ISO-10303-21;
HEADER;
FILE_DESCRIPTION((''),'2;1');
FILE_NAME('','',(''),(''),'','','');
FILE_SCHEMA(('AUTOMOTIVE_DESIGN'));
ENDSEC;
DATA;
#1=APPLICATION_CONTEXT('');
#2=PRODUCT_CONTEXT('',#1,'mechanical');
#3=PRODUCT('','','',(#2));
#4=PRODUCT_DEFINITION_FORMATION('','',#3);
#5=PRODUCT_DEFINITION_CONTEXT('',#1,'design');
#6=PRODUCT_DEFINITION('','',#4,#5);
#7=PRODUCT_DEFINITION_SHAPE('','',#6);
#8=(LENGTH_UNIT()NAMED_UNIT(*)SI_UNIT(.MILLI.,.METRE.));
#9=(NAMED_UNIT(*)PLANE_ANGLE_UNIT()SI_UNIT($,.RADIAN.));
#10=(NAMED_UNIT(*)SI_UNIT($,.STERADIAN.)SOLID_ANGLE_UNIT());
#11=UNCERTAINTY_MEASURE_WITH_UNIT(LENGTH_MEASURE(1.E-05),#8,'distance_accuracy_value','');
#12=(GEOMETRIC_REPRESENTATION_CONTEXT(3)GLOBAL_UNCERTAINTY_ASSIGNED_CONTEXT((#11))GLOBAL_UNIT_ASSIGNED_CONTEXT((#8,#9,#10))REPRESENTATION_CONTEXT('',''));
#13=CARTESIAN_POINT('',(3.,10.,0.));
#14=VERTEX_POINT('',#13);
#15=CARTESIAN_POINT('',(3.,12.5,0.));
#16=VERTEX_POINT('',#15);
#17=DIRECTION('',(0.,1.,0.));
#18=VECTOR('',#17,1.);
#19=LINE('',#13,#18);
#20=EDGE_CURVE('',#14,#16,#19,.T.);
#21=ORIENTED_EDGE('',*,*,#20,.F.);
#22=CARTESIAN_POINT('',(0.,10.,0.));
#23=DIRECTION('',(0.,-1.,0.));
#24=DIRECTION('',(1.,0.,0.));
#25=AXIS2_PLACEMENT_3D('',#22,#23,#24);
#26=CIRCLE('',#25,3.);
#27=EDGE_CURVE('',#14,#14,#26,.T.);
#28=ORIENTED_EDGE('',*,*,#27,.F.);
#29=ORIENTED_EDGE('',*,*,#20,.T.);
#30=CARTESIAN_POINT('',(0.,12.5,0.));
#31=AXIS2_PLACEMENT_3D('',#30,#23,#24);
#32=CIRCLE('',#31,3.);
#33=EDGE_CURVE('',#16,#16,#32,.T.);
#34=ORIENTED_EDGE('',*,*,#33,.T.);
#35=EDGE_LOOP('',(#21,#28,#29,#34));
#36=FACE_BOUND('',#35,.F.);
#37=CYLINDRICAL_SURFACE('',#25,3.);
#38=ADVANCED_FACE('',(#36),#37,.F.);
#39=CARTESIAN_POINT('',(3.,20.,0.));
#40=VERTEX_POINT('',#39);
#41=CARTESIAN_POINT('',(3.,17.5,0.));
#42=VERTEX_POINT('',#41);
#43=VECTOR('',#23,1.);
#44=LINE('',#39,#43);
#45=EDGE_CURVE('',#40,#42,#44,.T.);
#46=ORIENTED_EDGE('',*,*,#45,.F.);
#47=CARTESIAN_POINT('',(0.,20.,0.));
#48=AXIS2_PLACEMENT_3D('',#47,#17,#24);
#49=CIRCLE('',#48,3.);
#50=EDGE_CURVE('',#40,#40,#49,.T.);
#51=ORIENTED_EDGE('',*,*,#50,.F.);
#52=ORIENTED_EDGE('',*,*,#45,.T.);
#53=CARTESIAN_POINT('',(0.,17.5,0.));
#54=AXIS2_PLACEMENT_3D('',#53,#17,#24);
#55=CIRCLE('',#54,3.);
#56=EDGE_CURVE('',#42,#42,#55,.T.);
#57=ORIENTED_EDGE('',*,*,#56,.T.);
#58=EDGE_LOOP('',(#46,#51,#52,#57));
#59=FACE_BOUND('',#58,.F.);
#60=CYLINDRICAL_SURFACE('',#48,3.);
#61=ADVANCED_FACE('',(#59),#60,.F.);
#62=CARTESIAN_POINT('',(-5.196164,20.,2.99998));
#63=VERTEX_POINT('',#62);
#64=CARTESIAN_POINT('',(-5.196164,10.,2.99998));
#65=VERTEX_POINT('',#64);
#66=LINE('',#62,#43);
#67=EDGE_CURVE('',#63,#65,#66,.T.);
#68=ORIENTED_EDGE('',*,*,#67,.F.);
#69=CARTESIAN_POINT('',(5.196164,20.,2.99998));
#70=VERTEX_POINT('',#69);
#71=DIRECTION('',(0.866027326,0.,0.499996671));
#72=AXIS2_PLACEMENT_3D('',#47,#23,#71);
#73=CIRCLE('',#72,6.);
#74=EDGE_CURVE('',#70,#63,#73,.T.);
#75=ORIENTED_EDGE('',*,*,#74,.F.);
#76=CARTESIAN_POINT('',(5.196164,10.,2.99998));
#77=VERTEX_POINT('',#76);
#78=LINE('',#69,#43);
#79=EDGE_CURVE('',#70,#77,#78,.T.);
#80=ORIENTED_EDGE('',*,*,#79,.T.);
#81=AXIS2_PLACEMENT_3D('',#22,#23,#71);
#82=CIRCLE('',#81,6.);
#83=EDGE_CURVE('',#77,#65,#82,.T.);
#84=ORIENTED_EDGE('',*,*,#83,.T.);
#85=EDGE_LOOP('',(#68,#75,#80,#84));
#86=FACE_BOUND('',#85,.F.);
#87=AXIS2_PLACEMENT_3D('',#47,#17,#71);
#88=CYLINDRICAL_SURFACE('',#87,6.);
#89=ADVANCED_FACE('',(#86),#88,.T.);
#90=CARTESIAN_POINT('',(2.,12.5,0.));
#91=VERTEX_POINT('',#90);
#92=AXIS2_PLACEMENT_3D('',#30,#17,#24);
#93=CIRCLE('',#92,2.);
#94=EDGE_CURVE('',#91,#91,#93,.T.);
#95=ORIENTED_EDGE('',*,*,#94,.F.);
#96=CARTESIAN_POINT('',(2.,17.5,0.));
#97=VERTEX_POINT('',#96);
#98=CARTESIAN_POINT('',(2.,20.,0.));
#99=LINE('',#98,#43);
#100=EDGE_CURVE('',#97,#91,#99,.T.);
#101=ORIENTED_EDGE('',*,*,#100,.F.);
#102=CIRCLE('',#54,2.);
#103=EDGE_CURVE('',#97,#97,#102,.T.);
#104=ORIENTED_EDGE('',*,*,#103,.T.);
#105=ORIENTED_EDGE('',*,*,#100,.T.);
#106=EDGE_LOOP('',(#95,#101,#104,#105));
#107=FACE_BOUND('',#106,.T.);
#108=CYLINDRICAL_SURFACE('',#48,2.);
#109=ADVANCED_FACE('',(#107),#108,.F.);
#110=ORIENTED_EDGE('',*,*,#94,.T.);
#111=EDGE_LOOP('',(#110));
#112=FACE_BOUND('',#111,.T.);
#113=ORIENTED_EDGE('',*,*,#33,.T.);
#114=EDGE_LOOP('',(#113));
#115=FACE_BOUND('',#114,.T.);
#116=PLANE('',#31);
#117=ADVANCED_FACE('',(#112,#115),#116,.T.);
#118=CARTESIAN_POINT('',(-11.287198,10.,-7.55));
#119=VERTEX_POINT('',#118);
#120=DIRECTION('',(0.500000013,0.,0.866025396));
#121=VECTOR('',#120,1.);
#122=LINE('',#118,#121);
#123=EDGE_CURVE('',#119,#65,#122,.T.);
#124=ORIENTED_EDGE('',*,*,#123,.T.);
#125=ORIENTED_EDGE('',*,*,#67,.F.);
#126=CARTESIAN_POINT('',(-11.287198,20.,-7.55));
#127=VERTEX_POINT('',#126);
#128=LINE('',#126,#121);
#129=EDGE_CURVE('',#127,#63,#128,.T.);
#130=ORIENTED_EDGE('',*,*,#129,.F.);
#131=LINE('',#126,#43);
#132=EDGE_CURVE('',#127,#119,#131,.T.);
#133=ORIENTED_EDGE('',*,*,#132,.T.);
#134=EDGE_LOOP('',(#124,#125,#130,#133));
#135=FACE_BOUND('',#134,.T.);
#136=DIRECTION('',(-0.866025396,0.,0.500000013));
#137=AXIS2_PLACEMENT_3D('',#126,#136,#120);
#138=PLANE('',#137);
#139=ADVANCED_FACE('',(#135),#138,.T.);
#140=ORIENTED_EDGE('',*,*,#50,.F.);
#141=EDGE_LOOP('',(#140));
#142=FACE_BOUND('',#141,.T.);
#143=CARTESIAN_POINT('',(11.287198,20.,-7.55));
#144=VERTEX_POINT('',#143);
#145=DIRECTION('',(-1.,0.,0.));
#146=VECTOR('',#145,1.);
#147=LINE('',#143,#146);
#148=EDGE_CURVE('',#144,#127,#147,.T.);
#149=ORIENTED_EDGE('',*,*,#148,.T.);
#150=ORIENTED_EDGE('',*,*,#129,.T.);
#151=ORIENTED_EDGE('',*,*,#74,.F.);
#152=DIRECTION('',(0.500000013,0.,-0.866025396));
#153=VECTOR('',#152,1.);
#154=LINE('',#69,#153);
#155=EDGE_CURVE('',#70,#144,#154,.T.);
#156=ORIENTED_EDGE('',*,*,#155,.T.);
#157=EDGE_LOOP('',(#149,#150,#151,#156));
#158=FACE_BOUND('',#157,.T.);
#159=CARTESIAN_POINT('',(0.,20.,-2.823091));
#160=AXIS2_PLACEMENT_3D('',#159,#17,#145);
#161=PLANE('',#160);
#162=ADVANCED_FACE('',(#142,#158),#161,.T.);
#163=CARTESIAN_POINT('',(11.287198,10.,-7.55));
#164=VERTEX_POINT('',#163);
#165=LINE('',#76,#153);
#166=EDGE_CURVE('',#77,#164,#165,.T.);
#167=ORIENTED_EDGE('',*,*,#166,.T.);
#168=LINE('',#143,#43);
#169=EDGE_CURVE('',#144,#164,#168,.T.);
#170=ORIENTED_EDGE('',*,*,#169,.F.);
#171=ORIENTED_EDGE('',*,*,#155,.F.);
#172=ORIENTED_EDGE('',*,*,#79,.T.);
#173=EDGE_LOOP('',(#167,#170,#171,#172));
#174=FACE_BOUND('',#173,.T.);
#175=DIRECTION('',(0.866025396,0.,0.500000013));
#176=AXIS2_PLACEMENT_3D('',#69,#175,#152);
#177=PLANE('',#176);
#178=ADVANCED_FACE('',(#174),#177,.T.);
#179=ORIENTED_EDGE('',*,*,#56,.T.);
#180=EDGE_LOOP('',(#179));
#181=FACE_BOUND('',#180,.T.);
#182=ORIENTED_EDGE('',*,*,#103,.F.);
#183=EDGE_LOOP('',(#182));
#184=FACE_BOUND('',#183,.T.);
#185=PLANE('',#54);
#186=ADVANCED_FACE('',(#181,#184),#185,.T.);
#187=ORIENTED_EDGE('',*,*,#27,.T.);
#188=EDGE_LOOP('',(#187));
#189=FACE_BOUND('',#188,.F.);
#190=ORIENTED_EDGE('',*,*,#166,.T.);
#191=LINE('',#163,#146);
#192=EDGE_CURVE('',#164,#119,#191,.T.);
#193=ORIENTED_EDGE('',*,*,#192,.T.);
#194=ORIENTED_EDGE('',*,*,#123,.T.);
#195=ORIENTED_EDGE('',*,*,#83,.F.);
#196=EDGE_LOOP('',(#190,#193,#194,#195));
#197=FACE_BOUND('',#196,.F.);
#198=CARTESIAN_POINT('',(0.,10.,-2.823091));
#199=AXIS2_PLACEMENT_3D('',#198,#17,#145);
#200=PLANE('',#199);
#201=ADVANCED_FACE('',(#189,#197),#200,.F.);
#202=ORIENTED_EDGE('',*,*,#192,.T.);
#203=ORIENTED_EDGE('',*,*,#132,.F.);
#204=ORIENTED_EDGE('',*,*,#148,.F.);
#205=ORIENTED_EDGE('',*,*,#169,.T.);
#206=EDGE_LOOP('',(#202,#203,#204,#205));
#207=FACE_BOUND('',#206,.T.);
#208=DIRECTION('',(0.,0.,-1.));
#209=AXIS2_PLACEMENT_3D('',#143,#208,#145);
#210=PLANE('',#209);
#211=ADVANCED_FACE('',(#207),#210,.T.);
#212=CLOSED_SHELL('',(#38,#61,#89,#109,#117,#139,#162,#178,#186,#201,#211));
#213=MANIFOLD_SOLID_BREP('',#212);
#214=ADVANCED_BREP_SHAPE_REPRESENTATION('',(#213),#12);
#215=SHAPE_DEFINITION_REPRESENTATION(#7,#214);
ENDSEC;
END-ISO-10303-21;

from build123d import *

# Parameters (mm, degrees)
SKETCH012_R     = 2
PAD010_DEPTH    = 10
SKETCH013_R     = 3
POCKET_DEPTH    = 2.5
SKETCH014_R     = 3
POCKET001_DEPTH = 2.5


with BuildPart() as part:
    # Sketch012 → Pad010 (new body)
    with BuildSketch(Plane.XZ.offset(-20)):
        with BuildLine():
            Line((-11.287198, -7.55), (-5.196164, 2.99998))
            ThreePointArc((5.196164, 2.99998), (0, 6), (-5.196164, 2.99998))
            Line((5.196164, 2.99998), (11.287198, -7.55))
            Line((11.287198, -7.55), (-11.287198, -7.55))
        make_face()
        Circle(SKETCH012_R, mode=Mode.SUBTRACT)
    extrude(amount=PAD010_DEPTH)

    # Sketch013 → Pocket (cut)
    with BuildSketch(Plane.XZ.offset(-10)):
        Circle(SKETCH013_R)
    extrude(amount=-POCKET_DEPTH, mode=Mode.SUBTRACT)

    # Sketch014 → Pocket001 (cut)
    with BuildSketch(Plane(origin=(0, 20, 0), x_dir=(1, 0, 0), z_dir=(0, 1, 0))):
        Circle(SKETCH014_R)
    extrude(amount=-POCKET001_DEPTH, mode=Mode.SUBTRACT)


solid = part.part
